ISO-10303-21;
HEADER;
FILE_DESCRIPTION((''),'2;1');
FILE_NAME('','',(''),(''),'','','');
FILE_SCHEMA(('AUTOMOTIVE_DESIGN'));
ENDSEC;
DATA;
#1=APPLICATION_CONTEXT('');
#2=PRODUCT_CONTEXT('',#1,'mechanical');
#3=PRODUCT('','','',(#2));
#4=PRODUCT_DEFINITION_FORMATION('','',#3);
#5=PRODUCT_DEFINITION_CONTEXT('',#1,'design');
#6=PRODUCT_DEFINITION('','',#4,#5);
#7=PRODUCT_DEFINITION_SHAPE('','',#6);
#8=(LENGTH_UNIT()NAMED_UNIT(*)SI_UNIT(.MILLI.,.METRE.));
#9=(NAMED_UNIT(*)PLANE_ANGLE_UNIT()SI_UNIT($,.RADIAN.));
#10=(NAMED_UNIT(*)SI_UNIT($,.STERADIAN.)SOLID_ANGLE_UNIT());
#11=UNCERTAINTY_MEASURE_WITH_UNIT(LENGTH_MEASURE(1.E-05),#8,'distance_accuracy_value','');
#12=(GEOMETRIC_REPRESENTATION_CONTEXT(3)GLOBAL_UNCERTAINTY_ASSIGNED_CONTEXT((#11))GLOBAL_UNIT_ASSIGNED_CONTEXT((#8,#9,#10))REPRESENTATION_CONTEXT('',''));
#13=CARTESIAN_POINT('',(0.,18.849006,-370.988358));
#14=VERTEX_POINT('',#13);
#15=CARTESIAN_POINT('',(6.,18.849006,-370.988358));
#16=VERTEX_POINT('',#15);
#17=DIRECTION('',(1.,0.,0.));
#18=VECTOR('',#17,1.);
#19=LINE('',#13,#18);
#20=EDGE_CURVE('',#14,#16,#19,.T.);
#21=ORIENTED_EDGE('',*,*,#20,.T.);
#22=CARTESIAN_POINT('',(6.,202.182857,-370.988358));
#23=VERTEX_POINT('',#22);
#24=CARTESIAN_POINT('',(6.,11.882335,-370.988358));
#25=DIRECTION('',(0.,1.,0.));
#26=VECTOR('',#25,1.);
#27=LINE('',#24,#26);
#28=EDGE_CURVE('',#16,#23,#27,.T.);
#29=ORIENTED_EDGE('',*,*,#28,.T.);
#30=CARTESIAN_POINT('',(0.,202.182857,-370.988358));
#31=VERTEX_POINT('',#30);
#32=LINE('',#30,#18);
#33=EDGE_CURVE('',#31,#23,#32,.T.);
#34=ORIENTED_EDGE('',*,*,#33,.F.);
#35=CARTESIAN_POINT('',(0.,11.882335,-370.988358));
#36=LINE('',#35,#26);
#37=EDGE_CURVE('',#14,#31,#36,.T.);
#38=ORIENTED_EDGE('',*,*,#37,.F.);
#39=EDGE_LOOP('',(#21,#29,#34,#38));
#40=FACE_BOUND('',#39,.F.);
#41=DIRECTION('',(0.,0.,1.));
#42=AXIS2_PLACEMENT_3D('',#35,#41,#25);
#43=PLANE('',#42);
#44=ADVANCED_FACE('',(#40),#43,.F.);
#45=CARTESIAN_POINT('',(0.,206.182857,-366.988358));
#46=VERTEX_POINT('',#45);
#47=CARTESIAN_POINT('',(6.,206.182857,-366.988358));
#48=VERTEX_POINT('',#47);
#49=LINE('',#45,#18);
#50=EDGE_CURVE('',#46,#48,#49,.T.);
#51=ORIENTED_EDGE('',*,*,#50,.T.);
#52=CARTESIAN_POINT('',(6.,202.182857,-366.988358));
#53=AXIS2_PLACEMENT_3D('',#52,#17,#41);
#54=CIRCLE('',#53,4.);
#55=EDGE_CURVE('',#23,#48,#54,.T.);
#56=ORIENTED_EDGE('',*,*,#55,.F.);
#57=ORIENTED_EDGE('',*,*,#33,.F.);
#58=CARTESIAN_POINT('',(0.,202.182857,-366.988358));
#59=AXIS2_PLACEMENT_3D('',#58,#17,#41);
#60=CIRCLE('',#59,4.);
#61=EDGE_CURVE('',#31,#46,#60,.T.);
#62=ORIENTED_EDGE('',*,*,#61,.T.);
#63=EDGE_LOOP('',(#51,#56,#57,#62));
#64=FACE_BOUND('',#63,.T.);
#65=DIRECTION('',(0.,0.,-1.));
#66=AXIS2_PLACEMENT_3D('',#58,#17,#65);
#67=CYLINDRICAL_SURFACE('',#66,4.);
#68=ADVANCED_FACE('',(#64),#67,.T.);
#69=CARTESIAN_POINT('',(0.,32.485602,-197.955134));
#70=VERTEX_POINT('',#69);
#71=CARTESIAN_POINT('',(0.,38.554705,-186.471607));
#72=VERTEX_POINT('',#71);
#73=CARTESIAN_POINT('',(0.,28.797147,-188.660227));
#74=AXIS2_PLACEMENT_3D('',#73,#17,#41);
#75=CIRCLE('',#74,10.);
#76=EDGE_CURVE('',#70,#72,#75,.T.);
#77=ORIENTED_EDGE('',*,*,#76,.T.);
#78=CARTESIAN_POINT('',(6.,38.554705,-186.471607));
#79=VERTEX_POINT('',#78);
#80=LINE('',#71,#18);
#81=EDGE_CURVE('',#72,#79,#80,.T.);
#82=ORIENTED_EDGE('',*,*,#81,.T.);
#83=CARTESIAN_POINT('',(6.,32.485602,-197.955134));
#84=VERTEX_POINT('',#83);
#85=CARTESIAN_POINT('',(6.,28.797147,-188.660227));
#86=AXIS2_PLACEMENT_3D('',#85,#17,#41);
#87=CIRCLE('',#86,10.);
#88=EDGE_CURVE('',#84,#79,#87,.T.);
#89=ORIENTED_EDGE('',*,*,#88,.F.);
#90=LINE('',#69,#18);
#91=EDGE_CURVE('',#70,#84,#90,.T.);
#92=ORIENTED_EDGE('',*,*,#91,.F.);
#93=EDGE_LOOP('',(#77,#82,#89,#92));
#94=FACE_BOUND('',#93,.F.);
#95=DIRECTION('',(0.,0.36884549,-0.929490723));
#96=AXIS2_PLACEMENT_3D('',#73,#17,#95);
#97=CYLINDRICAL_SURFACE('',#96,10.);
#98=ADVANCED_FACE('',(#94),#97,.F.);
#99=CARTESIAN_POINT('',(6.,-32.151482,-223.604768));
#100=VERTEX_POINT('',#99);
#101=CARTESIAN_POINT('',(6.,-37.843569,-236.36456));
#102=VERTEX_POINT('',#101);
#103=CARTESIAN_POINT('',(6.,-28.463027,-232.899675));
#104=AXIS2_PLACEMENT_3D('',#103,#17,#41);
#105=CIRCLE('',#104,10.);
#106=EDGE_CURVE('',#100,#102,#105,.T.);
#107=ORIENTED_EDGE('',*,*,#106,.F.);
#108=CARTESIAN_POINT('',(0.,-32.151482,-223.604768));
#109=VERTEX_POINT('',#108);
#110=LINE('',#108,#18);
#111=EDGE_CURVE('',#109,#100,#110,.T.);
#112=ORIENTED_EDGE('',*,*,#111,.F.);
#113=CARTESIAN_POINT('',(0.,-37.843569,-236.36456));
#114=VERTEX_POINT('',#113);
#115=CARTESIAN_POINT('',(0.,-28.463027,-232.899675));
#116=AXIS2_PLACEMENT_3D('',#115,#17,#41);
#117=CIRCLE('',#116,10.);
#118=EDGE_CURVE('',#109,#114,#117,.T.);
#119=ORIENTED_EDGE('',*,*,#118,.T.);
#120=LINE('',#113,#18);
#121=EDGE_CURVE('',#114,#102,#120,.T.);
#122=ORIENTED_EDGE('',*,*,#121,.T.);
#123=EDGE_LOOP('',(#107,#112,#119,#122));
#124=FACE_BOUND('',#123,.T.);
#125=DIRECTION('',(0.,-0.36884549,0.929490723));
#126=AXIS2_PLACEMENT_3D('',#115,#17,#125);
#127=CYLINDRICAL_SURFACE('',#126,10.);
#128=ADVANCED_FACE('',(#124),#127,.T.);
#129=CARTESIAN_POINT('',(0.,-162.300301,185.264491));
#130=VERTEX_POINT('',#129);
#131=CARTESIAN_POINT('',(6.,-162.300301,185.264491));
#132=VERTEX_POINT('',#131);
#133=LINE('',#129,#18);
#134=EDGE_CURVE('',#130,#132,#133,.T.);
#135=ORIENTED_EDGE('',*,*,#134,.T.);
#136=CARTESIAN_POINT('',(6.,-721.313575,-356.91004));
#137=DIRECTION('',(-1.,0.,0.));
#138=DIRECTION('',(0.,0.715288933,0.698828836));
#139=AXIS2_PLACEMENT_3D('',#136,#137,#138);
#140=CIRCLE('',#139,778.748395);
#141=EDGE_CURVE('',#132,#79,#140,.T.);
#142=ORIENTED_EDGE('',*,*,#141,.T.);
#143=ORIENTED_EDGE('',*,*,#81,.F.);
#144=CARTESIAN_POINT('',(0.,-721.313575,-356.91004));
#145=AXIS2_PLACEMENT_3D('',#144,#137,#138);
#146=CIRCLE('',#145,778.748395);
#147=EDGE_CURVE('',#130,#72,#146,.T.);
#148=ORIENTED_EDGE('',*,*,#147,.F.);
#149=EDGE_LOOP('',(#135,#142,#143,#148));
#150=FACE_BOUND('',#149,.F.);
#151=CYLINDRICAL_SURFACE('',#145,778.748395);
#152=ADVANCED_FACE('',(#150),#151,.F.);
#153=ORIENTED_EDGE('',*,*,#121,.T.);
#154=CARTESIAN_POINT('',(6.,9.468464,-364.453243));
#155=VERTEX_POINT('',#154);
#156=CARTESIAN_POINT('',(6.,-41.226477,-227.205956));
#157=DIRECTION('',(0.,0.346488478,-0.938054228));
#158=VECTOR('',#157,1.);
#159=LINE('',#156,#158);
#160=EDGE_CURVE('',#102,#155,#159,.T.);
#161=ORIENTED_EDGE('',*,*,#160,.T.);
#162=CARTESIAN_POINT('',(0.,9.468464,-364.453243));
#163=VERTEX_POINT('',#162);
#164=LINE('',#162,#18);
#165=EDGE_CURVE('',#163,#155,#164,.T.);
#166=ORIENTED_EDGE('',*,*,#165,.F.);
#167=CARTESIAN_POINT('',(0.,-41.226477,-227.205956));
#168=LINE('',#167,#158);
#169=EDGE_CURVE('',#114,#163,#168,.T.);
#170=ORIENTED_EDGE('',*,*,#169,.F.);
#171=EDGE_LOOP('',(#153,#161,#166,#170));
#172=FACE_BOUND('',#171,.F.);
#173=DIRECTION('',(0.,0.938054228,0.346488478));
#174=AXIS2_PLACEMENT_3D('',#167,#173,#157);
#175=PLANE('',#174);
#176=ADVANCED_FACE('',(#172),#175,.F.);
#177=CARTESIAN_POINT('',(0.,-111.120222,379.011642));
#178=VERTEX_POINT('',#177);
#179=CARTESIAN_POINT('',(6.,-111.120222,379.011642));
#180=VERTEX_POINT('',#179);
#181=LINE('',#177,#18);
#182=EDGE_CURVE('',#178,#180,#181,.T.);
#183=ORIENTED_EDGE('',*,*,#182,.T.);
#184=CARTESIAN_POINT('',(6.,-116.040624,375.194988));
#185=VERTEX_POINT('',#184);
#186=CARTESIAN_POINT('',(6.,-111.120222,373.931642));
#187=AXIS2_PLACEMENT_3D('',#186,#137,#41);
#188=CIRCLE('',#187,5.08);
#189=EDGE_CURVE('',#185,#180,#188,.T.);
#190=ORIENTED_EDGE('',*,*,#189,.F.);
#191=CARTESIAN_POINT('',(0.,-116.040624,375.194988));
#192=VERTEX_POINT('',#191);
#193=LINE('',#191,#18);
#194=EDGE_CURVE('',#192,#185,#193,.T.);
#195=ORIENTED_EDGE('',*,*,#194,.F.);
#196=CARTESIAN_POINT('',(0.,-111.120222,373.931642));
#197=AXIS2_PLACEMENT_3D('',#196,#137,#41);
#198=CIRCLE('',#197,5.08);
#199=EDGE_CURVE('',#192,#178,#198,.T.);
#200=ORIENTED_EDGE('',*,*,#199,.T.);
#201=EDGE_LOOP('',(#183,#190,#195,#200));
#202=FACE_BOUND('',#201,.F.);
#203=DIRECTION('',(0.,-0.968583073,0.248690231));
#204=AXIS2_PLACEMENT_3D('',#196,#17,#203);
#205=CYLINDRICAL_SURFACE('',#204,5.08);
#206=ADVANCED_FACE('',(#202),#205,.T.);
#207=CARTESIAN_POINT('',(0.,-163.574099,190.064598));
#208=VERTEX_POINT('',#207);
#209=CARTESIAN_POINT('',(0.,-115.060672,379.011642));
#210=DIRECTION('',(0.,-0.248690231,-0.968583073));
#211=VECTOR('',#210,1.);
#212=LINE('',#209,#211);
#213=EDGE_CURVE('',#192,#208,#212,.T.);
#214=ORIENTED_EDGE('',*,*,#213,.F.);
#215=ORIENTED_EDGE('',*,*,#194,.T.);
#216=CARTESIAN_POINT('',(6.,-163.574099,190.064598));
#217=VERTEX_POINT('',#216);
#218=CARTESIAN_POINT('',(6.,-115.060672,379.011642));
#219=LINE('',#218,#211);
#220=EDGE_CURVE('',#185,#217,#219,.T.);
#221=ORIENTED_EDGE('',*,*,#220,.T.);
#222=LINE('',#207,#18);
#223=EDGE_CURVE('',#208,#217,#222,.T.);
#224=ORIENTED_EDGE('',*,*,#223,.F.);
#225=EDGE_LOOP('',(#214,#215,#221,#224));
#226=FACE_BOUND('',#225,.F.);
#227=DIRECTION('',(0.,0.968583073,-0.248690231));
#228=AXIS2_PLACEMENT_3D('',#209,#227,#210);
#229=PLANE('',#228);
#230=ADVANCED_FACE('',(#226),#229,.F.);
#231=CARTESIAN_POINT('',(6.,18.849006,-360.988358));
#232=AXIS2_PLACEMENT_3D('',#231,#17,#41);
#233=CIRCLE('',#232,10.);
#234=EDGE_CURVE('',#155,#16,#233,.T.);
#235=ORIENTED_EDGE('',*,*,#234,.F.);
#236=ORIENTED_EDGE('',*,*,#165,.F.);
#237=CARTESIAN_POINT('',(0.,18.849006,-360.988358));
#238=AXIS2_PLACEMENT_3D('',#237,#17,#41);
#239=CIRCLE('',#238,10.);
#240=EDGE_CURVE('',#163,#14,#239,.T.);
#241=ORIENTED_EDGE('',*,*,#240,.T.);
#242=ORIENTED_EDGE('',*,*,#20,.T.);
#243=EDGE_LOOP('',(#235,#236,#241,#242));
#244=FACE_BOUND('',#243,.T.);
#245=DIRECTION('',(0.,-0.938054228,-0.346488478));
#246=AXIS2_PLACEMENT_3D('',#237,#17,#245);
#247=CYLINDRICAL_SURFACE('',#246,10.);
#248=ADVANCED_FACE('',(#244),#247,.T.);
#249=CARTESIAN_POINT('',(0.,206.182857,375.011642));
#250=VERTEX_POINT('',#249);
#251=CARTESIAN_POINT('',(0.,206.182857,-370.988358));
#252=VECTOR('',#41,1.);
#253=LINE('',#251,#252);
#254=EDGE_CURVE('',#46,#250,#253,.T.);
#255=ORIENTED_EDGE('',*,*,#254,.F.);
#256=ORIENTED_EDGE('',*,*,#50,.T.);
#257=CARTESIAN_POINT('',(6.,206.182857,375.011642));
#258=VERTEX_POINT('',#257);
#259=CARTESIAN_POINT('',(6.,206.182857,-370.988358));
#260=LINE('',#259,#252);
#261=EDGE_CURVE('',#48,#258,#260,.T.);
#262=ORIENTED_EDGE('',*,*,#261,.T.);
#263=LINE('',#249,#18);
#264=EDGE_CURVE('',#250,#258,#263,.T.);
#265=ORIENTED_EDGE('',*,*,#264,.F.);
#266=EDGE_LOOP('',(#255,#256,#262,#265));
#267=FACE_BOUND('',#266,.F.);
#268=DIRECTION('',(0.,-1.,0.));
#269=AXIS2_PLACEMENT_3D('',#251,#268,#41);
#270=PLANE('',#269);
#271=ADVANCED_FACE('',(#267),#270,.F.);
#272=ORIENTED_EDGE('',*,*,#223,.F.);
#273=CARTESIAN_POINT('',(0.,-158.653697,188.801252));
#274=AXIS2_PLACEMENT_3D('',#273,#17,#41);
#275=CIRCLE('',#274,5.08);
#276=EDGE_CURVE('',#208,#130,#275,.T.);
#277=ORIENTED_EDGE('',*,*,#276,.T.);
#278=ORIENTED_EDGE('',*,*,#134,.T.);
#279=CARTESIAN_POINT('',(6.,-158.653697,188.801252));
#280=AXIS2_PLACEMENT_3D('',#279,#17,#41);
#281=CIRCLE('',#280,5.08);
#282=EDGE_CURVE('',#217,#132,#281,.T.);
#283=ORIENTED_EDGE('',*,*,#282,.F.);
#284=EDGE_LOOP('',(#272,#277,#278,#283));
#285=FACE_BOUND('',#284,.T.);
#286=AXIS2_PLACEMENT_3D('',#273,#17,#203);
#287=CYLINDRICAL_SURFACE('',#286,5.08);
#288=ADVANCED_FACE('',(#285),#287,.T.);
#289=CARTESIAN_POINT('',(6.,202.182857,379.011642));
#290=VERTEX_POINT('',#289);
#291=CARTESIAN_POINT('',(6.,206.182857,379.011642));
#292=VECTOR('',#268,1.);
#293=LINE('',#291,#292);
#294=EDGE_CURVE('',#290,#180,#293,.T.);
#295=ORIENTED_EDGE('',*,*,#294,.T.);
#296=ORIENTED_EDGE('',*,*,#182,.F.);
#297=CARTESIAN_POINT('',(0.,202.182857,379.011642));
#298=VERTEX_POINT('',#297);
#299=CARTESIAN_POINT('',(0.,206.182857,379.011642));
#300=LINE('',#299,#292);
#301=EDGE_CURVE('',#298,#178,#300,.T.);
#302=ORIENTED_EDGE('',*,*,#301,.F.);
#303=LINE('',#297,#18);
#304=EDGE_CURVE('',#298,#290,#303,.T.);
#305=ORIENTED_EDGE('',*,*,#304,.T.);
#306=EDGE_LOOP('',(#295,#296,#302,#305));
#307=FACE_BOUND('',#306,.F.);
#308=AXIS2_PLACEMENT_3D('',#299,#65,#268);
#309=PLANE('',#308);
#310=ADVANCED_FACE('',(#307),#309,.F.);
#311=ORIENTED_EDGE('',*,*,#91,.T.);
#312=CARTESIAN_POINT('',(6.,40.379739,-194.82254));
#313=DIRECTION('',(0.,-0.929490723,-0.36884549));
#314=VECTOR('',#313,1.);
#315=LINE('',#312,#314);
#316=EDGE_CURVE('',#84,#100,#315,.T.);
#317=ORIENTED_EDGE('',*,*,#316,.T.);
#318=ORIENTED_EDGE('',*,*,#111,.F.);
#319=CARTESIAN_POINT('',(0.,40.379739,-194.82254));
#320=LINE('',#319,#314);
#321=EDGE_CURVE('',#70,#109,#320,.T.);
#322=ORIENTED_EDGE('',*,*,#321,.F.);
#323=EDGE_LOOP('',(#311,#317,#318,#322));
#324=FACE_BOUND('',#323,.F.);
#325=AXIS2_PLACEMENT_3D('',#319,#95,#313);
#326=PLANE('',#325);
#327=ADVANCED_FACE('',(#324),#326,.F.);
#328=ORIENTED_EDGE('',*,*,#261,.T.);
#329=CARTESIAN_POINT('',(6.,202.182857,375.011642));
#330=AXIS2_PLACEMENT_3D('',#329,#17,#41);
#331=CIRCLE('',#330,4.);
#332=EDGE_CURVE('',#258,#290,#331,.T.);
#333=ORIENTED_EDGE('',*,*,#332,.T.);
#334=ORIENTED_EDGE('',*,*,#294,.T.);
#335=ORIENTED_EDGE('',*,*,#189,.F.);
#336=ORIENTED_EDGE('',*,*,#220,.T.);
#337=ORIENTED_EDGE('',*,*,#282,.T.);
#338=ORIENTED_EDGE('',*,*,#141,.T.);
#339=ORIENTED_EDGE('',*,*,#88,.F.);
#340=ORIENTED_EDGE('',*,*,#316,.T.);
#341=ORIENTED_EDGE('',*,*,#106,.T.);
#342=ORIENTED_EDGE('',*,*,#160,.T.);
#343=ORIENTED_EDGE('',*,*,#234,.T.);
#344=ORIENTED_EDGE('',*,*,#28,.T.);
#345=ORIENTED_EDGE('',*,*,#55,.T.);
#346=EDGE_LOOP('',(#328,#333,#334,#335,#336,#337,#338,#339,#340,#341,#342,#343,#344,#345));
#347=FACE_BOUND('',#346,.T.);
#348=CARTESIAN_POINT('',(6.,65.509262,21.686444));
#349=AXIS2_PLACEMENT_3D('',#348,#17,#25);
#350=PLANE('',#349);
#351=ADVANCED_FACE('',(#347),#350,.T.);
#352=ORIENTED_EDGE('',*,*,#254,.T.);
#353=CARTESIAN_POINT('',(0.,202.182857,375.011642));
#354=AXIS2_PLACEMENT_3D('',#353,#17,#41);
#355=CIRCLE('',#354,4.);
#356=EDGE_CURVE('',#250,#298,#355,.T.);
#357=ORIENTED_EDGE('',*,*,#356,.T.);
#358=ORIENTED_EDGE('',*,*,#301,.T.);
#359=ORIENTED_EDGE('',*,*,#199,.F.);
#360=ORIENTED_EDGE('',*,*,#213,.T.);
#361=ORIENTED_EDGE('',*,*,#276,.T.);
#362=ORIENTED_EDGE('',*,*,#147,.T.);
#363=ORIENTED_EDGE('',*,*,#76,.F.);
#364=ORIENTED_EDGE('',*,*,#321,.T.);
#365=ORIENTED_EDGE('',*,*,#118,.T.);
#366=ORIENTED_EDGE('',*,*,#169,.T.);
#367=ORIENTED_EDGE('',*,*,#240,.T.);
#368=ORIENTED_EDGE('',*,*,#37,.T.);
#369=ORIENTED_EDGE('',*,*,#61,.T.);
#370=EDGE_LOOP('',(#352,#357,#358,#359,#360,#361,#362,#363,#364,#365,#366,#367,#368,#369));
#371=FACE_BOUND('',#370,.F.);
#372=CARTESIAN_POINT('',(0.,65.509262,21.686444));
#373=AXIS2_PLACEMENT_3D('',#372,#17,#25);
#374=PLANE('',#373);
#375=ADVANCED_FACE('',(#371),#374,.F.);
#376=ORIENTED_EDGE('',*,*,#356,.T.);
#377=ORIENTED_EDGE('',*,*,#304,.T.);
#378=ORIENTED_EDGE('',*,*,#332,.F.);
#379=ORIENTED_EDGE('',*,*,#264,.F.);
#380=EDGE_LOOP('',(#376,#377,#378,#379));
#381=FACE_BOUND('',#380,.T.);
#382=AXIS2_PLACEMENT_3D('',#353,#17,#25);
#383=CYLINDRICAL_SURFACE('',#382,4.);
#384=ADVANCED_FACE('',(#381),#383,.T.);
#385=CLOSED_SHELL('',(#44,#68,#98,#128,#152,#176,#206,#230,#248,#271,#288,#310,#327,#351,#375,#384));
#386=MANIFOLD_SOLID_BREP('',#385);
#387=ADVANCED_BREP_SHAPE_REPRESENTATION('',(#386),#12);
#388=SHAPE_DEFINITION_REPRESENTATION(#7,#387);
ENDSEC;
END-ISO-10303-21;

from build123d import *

# Parameters (mm, degrees)
F1_DEPTH = 6
F2_R     = 10
F3_R     = 10
F4_R     = 10
F5_R     = 4
F6_R     = 4
F7_R     = 5.08
F8_R     = 5.08


with BuildPart() as f1:
    # F0 (on Right) → F1 (new body)
    with BuildSketch(Plane.YZ):
        with BuildLine():
            Line((206.182857, -370.988358), (206.182857, 379.011642))
            Line((206.182857, 379.011642), (-115.060672, 379.011642))
            Line((-115.060672, 379.011642), (-164.283467, 187.301795))
            ThreePointArc((-164.283467, 187.301795), (-34.827874, 10.767053), (40.379739, -194.82254))
            Line((40.379739, -194.82254), (-41.226477, -227.205956))
            Line((-41.226477, -227.205956), (11.882335, -370.988358))
            Line((11.882335, -370.988358), (206.182857, -370.988358))
        make_face()
    extrude(amount=F1_DEPTH)

    # F2
    f2_edges = [f1.edges().sort_by_distance(p)[0] for p in [
        (3, -41.226477, -227.205956),
    ]]
    fillet(f2_edges, radius=F2_R)

    # F3
    f3_edges = [f1.edges().sort_by_distance(p)[0] for p in [
        (3, 40.379739, -194.82254),
    ]]
    fillet(f3_edges, radius=F3_R)

    # F4
    f4_edges = [f1.edges().sort_by_distance(p)[0] for p in [
        (3, 11.882335, -370.988358),
    ]]
    fillet(f4_edges, radius=F4_R)

    # F5
    f5_edges = [f1.edges().sort_by_distance(p)[0] for p in [
        (3, 206.182857, -370.988358),
    ]]
    fillet(f5_edges, radius=F5_R)

    # F6
    f6_edges = [f1.edges().sort_by_distance(p)[0] for p in [
        (3, 206.182857, 379.011642),
    ]]
    fillet(f6_edges, radius=F6_R)

    # F7
    f7_edges = [f1.edges().sort_by_distance(p)[0] for p in [
        (3, -164.283467, 187.301795),
    ]]
    fillet(f7_edges, radius=F7_R)

    # F8
    f8_edges = [f1.edges().sort_by_distance(p)[0] for p in [
        (3, -115.060672, 379.011642),
    ]]
    fillet(f8_edges, radius=F8_R)


solid = f1.part
